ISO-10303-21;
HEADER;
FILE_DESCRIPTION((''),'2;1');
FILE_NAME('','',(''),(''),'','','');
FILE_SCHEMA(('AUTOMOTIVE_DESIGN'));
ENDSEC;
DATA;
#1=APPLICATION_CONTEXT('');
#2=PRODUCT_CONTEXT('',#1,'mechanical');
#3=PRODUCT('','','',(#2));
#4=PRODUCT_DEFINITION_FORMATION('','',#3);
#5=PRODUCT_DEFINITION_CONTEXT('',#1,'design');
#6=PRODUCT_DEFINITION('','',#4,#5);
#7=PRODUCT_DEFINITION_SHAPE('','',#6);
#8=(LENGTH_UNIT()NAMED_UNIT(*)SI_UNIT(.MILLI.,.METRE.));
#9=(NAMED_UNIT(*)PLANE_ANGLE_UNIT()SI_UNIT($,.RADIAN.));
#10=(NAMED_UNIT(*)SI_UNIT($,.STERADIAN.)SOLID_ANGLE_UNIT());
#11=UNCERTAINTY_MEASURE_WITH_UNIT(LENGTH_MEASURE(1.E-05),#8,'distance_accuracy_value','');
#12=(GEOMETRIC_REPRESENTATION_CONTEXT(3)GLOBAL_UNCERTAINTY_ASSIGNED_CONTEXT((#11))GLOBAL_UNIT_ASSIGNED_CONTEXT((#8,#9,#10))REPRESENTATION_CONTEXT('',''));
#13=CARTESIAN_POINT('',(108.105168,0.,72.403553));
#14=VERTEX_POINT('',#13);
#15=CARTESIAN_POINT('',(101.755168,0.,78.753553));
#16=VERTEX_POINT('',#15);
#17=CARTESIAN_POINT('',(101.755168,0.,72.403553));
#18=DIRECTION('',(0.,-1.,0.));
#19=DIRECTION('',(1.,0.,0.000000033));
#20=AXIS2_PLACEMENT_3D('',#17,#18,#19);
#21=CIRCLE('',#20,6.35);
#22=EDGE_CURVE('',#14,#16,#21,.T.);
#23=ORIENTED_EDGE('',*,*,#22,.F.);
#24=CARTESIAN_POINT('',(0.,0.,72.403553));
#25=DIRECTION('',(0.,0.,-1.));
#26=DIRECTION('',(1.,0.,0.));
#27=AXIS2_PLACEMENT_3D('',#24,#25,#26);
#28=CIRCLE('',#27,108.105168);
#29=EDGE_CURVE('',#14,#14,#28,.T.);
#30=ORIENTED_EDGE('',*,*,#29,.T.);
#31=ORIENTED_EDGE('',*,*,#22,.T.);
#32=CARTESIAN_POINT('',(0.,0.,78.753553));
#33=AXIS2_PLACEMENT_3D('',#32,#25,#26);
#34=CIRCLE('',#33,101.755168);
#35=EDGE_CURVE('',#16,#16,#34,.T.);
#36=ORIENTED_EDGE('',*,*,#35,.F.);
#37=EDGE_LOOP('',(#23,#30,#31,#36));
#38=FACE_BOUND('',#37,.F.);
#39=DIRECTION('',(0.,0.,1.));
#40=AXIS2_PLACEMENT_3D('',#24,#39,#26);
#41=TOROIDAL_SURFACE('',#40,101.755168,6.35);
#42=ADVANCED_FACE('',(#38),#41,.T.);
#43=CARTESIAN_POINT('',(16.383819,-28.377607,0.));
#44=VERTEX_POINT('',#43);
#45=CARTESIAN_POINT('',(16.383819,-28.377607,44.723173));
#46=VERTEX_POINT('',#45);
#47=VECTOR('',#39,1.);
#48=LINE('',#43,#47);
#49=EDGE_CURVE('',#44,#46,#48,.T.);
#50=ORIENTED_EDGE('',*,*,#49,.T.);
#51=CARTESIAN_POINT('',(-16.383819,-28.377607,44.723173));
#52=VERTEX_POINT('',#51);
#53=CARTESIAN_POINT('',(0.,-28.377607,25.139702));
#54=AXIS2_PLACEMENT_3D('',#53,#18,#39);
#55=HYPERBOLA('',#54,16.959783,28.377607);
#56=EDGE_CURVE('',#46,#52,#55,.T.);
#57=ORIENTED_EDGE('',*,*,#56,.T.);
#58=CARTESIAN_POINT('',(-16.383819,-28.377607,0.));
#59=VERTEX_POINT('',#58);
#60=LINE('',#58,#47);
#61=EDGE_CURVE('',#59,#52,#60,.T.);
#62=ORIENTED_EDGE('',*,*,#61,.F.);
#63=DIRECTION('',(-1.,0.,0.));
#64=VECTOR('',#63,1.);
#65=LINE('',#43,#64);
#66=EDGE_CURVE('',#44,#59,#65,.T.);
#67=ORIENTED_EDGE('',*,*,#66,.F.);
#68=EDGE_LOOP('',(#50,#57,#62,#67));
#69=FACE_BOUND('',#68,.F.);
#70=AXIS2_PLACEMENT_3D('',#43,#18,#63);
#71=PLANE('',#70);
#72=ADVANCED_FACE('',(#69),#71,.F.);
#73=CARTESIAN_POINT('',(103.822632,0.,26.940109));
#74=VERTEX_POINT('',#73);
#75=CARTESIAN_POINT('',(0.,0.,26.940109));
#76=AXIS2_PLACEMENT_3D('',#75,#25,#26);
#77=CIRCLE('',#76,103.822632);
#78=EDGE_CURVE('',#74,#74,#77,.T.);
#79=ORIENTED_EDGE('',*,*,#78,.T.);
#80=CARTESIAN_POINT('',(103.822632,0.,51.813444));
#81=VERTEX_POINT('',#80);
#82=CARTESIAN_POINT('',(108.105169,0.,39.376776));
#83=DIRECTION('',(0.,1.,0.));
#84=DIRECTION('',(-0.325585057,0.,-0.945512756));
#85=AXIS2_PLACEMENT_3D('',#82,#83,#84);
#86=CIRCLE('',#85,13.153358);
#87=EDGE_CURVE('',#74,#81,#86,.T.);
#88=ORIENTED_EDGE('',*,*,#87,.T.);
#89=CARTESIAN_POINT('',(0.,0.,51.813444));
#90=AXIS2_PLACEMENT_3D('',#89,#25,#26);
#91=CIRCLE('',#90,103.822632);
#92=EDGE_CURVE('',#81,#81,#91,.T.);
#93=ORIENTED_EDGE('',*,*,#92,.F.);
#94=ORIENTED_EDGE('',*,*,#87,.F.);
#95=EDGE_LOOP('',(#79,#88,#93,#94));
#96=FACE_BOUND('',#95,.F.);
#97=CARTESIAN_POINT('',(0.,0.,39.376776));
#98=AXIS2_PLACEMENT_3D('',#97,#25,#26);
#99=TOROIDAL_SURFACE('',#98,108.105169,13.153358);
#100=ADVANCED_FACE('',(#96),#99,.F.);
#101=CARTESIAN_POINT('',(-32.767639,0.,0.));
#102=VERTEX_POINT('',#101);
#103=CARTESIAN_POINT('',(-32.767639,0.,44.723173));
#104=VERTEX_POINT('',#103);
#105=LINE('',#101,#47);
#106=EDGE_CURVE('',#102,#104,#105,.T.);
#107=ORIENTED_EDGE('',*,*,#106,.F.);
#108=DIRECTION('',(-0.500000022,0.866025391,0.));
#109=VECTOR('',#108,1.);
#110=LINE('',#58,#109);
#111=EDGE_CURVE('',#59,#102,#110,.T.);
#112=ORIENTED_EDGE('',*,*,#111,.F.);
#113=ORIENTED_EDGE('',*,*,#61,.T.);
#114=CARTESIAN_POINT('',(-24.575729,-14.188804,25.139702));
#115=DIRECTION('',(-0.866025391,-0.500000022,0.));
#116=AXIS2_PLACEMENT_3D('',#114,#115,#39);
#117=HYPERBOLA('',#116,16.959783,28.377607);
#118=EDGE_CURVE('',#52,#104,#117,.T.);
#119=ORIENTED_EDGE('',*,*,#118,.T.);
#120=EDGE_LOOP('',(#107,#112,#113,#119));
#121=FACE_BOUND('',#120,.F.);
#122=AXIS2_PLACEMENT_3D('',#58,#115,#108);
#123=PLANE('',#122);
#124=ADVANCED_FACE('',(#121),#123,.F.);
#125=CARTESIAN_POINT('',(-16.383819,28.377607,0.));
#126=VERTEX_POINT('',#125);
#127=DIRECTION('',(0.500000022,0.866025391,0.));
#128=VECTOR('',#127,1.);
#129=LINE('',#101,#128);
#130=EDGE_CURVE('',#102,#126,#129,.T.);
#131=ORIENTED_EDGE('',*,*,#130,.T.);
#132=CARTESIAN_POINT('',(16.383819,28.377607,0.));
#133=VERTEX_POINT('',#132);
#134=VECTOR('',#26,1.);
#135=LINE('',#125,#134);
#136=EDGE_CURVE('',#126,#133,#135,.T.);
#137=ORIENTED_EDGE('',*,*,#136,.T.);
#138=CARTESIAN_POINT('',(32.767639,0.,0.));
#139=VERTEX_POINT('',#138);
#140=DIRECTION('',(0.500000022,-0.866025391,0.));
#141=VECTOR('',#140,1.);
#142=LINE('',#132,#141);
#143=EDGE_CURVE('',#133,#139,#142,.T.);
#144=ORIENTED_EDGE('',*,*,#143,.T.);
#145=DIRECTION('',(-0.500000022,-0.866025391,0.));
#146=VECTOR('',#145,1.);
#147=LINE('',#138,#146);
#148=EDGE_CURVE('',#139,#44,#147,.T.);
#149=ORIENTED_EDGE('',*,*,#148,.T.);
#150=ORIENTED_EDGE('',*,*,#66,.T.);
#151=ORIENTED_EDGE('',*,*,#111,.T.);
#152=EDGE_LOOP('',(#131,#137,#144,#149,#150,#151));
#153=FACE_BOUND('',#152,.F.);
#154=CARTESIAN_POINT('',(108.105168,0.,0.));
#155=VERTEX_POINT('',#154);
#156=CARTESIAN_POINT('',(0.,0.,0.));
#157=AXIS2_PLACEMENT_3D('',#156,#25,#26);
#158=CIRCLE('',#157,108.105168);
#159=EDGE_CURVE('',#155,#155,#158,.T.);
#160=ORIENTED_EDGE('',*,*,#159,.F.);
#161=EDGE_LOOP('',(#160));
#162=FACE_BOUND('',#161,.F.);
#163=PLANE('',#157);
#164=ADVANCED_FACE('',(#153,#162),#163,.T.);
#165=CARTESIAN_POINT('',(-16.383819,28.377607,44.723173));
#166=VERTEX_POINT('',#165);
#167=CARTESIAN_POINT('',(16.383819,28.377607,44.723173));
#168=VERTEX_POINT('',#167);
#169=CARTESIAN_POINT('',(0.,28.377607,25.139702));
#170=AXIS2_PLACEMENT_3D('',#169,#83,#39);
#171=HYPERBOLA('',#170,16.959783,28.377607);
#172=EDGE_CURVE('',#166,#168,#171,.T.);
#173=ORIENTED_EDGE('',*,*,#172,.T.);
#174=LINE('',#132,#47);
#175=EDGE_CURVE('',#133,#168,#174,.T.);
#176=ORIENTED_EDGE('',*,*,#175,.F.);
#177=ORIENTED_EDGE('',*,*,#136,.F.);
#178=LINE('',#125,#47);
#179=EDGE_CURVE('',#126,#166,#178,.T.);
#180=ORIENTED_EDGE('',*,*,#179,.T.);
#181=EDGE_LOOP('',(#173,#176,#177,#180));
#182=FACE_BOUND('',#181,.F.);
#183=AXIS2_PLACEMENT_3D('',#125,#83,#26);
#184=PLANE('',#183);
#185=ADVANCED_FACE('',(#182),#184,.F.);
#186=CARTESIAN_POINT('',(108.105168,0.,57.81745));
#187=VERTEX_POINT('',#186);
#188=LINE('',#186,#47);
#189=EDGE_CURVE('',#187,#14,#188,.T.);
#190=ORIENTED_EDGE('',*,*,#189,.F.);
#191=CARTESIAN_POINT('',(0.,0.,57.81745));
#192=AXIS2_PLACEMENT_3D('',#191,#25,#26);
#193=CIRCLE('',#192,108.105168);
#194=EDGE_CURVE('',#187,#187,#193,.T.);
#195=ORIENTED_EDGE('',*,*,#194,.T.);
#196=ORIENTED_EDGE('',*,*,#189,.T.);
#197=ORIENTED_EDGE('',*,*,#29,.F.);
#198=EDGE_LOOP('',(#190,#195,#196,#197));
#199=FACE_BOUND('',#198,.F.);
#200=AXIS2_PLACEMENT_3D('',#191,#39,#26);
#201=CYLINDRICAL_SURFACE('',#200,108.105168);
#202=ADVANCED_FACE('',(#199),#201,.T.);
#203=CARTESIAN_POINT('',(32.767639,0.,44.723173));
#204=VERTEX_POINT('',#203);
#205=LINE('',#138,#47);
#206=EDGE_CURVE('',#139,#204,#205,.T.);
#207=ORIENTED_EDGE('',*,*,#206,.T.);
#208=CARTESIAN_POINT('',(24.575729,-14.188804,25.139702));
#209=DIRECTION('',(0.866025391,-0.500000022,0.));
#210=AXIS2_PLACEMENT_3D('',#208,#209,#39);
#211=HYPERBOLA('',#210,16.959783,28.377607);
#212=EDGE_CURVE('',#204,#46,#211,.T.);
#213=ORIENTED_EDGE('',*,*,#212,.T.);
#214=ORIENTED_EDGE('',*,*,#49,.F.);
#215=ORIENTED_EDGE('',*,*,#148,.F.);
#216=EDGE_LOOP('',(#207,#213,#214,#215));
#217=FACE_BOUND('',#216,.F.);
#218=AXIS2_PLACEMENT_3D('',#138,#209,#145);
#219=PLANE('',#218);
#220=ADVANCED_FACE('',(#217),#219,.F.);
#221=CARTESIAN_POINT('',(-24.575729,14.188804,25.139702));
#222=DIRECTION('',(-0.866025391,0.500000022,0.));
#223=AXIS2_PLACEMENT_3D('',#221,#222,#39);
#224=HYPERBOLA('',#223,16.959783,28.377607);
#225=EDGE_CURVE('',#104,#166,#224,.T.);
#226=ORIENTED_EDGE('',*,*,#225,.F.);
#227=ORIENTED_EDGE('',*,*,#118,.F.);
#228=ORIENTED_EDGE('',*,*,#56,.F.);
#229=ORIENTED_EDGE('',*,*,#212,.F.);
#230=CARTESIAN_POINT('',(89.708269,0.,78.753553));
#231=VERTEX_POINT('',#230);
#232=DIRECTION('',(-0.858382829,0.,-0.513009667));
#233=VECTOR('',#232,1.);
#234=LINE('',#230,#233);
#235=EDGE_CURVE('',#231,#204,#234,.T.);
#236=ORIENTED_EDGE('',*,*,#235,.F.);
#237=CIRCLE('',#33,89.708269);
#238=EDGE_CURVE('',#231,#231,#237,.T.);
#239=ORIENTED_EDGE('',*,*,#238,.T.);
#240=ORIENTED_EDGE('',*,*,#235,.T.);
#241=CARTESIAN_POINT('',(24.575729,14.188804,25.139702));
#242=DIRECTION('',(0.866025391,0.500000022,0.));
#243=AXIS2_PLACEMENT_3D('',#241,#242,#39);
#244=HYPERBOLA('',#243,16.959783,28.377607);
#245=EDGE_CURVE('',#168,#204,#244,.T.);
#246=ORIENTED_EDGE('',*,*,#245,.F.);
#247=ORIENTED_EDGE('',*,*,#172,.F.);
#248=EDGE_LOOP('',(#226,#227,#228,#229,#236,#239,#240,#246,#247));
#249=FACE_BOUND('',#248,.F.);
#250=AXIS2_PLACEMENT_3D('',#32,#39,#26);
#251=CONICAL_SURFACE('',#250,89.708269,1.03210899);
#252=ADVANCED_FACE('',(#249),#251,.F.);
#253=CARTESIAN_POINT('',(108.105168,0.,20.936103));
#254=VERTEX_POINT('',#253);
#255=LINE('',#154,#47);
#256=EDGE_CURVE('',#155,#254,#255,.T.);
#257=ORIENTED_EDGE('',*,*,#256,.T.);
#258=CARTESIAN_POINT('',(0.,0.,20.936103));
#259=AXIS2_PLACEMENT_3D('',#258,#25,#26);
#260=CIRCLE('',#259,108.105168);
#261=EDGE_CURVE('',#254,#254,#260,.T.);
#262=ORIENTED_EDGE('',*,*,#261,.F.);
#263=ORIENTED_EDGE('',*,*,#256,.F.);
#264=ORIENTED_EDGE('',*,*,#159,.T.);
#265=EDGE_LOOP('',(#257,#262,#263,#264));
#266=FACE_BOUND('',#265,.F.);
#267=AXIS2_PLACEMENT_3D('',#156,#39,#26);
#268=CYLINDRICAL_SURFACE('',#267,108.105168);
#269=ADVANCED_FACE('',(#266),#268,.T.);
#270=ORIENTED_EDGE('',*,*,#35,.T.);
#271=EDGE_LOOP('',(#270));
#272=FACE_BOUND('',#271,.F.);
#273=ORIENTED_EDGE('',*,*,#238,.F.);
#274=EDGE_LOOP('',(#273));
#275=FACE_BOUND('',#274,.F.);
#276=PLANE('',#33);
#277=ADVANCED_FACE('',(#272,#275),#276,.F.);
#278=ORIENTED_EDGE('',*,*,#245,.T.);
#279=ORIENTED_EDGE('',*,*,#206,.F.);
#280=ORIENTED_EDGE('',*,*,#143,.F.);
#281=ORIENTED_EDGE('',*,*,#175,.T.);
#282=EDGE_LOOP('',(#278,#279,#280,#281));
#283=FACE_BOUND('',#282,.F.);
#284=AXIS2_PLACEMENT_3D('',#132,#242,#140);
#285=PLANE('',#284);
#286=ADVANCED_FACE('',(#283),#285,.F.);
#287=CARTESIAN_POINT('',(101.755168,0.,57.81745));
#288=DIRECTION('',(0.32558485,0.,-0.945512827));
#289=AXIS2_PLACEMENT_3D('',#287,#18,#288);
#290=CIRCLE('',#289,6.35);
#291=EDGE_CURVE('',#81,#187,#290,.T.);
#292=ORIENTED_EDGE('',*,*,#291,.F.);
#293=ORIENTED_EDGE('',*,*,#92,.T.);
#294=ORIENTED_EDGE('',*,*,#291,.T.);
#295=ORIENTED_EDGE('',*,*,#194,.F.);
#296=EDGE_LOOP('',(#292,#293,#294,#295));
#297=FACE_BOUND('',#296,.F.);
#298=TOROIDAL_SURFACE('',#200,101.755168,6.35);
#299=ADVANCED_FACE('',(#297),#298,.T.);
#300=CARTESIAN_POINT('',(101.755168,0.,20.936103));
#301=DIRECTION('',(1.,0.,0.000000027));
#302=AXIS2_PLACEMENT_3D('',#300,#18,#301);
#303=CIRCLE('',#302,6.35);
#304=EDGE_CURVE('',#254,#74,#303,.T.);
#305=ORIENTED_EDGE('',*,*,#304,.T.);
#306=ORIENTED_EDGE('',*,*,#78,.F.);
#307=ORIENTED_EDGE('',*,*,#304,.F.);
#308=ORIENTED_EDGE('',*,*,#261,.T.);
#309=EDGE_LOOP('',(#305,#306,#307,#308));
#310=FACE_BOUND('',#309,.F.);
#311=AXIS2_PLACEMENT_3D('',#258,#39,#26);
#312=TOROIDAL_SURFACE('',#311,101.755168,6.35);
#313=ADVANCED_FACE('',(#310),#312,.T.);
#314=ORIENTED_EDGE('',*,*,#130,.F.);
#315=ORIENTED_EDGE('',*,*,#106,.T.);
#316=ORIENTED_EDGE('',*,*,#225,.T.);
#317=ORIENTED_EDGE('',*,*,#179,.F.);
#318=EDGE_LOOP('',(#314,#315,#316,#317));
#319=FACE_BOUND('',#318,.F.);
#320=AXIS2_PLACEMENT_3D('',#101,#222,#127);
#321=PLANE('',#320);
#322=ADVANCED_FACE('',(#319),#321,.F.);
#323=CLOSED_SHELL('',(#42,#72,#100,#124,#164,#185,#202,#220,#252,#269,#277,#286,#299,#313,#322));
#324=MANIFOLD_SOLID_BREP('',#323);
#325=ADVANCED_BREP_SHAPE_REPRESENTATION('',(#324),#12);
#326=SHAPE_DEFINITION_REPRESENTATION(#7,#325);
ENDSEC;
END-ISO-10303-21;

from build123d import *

# Parameters (mm, degrees)
F3_DEPTH = 175.35396


with BuildPart() as f1:
    # F0 (on Front) → F1 (revolve)
    with BuildSketch(Plane.XZ):
        with BuildLine():
            Line((0, 21.537127), (0, 0))
            Line((0, 0), (108.105168, 0))
            Line((108.105168, 0), (108.105168, 20.936103))
            ThreePointArc((108.105168, 20.936103), (106.924834, 24.623521), (103.822632, 26.940109))
            ThreePointArc((103.822632, 26.940109), (94.951811, 39.376777), (103.822632, 51.813444))
            ThreePointArc((103.822632, 51.813444), (106.924834, 54.130032), (108.105168, 57.81745))
            Line((108.105168, 57.81745), (108.105168, 72.403553))
            ThreePointArc((108.105168, 72.403553), (106.245296, 76.893681), (101.755168, 78.753553))
            Line((101.755168, 78.753553), (89.708269, 78.753553))
            Line((89.708269, 78.753553), (3.092389, 26.987858))
            ThreePointArc((3.092389, 26.987858), (0.826942, 24.670549), (0, 21.537127))
        make_face()
    revolve(axis=Axis((0, 0, 17.780939), (0, 0, -1)))

    # F2 (on face) → F3 (cut)
    with BuildSketch(Plane(origin=(0, 0, 0), x_dir=(1, 0, 0), z_dir=(0, 0, -1))):
        Polygon((16.383819, 28.377607), (-16.383819, 28.377607), (-32.767639, 0), (-16.383819, -28.377607), (16.383819, -28.377607), (32.767639, 0), align=None)
    extrude(amount=-F3_DEPTH, mode=Mode.SUBTRACT)


solid = f1.part
